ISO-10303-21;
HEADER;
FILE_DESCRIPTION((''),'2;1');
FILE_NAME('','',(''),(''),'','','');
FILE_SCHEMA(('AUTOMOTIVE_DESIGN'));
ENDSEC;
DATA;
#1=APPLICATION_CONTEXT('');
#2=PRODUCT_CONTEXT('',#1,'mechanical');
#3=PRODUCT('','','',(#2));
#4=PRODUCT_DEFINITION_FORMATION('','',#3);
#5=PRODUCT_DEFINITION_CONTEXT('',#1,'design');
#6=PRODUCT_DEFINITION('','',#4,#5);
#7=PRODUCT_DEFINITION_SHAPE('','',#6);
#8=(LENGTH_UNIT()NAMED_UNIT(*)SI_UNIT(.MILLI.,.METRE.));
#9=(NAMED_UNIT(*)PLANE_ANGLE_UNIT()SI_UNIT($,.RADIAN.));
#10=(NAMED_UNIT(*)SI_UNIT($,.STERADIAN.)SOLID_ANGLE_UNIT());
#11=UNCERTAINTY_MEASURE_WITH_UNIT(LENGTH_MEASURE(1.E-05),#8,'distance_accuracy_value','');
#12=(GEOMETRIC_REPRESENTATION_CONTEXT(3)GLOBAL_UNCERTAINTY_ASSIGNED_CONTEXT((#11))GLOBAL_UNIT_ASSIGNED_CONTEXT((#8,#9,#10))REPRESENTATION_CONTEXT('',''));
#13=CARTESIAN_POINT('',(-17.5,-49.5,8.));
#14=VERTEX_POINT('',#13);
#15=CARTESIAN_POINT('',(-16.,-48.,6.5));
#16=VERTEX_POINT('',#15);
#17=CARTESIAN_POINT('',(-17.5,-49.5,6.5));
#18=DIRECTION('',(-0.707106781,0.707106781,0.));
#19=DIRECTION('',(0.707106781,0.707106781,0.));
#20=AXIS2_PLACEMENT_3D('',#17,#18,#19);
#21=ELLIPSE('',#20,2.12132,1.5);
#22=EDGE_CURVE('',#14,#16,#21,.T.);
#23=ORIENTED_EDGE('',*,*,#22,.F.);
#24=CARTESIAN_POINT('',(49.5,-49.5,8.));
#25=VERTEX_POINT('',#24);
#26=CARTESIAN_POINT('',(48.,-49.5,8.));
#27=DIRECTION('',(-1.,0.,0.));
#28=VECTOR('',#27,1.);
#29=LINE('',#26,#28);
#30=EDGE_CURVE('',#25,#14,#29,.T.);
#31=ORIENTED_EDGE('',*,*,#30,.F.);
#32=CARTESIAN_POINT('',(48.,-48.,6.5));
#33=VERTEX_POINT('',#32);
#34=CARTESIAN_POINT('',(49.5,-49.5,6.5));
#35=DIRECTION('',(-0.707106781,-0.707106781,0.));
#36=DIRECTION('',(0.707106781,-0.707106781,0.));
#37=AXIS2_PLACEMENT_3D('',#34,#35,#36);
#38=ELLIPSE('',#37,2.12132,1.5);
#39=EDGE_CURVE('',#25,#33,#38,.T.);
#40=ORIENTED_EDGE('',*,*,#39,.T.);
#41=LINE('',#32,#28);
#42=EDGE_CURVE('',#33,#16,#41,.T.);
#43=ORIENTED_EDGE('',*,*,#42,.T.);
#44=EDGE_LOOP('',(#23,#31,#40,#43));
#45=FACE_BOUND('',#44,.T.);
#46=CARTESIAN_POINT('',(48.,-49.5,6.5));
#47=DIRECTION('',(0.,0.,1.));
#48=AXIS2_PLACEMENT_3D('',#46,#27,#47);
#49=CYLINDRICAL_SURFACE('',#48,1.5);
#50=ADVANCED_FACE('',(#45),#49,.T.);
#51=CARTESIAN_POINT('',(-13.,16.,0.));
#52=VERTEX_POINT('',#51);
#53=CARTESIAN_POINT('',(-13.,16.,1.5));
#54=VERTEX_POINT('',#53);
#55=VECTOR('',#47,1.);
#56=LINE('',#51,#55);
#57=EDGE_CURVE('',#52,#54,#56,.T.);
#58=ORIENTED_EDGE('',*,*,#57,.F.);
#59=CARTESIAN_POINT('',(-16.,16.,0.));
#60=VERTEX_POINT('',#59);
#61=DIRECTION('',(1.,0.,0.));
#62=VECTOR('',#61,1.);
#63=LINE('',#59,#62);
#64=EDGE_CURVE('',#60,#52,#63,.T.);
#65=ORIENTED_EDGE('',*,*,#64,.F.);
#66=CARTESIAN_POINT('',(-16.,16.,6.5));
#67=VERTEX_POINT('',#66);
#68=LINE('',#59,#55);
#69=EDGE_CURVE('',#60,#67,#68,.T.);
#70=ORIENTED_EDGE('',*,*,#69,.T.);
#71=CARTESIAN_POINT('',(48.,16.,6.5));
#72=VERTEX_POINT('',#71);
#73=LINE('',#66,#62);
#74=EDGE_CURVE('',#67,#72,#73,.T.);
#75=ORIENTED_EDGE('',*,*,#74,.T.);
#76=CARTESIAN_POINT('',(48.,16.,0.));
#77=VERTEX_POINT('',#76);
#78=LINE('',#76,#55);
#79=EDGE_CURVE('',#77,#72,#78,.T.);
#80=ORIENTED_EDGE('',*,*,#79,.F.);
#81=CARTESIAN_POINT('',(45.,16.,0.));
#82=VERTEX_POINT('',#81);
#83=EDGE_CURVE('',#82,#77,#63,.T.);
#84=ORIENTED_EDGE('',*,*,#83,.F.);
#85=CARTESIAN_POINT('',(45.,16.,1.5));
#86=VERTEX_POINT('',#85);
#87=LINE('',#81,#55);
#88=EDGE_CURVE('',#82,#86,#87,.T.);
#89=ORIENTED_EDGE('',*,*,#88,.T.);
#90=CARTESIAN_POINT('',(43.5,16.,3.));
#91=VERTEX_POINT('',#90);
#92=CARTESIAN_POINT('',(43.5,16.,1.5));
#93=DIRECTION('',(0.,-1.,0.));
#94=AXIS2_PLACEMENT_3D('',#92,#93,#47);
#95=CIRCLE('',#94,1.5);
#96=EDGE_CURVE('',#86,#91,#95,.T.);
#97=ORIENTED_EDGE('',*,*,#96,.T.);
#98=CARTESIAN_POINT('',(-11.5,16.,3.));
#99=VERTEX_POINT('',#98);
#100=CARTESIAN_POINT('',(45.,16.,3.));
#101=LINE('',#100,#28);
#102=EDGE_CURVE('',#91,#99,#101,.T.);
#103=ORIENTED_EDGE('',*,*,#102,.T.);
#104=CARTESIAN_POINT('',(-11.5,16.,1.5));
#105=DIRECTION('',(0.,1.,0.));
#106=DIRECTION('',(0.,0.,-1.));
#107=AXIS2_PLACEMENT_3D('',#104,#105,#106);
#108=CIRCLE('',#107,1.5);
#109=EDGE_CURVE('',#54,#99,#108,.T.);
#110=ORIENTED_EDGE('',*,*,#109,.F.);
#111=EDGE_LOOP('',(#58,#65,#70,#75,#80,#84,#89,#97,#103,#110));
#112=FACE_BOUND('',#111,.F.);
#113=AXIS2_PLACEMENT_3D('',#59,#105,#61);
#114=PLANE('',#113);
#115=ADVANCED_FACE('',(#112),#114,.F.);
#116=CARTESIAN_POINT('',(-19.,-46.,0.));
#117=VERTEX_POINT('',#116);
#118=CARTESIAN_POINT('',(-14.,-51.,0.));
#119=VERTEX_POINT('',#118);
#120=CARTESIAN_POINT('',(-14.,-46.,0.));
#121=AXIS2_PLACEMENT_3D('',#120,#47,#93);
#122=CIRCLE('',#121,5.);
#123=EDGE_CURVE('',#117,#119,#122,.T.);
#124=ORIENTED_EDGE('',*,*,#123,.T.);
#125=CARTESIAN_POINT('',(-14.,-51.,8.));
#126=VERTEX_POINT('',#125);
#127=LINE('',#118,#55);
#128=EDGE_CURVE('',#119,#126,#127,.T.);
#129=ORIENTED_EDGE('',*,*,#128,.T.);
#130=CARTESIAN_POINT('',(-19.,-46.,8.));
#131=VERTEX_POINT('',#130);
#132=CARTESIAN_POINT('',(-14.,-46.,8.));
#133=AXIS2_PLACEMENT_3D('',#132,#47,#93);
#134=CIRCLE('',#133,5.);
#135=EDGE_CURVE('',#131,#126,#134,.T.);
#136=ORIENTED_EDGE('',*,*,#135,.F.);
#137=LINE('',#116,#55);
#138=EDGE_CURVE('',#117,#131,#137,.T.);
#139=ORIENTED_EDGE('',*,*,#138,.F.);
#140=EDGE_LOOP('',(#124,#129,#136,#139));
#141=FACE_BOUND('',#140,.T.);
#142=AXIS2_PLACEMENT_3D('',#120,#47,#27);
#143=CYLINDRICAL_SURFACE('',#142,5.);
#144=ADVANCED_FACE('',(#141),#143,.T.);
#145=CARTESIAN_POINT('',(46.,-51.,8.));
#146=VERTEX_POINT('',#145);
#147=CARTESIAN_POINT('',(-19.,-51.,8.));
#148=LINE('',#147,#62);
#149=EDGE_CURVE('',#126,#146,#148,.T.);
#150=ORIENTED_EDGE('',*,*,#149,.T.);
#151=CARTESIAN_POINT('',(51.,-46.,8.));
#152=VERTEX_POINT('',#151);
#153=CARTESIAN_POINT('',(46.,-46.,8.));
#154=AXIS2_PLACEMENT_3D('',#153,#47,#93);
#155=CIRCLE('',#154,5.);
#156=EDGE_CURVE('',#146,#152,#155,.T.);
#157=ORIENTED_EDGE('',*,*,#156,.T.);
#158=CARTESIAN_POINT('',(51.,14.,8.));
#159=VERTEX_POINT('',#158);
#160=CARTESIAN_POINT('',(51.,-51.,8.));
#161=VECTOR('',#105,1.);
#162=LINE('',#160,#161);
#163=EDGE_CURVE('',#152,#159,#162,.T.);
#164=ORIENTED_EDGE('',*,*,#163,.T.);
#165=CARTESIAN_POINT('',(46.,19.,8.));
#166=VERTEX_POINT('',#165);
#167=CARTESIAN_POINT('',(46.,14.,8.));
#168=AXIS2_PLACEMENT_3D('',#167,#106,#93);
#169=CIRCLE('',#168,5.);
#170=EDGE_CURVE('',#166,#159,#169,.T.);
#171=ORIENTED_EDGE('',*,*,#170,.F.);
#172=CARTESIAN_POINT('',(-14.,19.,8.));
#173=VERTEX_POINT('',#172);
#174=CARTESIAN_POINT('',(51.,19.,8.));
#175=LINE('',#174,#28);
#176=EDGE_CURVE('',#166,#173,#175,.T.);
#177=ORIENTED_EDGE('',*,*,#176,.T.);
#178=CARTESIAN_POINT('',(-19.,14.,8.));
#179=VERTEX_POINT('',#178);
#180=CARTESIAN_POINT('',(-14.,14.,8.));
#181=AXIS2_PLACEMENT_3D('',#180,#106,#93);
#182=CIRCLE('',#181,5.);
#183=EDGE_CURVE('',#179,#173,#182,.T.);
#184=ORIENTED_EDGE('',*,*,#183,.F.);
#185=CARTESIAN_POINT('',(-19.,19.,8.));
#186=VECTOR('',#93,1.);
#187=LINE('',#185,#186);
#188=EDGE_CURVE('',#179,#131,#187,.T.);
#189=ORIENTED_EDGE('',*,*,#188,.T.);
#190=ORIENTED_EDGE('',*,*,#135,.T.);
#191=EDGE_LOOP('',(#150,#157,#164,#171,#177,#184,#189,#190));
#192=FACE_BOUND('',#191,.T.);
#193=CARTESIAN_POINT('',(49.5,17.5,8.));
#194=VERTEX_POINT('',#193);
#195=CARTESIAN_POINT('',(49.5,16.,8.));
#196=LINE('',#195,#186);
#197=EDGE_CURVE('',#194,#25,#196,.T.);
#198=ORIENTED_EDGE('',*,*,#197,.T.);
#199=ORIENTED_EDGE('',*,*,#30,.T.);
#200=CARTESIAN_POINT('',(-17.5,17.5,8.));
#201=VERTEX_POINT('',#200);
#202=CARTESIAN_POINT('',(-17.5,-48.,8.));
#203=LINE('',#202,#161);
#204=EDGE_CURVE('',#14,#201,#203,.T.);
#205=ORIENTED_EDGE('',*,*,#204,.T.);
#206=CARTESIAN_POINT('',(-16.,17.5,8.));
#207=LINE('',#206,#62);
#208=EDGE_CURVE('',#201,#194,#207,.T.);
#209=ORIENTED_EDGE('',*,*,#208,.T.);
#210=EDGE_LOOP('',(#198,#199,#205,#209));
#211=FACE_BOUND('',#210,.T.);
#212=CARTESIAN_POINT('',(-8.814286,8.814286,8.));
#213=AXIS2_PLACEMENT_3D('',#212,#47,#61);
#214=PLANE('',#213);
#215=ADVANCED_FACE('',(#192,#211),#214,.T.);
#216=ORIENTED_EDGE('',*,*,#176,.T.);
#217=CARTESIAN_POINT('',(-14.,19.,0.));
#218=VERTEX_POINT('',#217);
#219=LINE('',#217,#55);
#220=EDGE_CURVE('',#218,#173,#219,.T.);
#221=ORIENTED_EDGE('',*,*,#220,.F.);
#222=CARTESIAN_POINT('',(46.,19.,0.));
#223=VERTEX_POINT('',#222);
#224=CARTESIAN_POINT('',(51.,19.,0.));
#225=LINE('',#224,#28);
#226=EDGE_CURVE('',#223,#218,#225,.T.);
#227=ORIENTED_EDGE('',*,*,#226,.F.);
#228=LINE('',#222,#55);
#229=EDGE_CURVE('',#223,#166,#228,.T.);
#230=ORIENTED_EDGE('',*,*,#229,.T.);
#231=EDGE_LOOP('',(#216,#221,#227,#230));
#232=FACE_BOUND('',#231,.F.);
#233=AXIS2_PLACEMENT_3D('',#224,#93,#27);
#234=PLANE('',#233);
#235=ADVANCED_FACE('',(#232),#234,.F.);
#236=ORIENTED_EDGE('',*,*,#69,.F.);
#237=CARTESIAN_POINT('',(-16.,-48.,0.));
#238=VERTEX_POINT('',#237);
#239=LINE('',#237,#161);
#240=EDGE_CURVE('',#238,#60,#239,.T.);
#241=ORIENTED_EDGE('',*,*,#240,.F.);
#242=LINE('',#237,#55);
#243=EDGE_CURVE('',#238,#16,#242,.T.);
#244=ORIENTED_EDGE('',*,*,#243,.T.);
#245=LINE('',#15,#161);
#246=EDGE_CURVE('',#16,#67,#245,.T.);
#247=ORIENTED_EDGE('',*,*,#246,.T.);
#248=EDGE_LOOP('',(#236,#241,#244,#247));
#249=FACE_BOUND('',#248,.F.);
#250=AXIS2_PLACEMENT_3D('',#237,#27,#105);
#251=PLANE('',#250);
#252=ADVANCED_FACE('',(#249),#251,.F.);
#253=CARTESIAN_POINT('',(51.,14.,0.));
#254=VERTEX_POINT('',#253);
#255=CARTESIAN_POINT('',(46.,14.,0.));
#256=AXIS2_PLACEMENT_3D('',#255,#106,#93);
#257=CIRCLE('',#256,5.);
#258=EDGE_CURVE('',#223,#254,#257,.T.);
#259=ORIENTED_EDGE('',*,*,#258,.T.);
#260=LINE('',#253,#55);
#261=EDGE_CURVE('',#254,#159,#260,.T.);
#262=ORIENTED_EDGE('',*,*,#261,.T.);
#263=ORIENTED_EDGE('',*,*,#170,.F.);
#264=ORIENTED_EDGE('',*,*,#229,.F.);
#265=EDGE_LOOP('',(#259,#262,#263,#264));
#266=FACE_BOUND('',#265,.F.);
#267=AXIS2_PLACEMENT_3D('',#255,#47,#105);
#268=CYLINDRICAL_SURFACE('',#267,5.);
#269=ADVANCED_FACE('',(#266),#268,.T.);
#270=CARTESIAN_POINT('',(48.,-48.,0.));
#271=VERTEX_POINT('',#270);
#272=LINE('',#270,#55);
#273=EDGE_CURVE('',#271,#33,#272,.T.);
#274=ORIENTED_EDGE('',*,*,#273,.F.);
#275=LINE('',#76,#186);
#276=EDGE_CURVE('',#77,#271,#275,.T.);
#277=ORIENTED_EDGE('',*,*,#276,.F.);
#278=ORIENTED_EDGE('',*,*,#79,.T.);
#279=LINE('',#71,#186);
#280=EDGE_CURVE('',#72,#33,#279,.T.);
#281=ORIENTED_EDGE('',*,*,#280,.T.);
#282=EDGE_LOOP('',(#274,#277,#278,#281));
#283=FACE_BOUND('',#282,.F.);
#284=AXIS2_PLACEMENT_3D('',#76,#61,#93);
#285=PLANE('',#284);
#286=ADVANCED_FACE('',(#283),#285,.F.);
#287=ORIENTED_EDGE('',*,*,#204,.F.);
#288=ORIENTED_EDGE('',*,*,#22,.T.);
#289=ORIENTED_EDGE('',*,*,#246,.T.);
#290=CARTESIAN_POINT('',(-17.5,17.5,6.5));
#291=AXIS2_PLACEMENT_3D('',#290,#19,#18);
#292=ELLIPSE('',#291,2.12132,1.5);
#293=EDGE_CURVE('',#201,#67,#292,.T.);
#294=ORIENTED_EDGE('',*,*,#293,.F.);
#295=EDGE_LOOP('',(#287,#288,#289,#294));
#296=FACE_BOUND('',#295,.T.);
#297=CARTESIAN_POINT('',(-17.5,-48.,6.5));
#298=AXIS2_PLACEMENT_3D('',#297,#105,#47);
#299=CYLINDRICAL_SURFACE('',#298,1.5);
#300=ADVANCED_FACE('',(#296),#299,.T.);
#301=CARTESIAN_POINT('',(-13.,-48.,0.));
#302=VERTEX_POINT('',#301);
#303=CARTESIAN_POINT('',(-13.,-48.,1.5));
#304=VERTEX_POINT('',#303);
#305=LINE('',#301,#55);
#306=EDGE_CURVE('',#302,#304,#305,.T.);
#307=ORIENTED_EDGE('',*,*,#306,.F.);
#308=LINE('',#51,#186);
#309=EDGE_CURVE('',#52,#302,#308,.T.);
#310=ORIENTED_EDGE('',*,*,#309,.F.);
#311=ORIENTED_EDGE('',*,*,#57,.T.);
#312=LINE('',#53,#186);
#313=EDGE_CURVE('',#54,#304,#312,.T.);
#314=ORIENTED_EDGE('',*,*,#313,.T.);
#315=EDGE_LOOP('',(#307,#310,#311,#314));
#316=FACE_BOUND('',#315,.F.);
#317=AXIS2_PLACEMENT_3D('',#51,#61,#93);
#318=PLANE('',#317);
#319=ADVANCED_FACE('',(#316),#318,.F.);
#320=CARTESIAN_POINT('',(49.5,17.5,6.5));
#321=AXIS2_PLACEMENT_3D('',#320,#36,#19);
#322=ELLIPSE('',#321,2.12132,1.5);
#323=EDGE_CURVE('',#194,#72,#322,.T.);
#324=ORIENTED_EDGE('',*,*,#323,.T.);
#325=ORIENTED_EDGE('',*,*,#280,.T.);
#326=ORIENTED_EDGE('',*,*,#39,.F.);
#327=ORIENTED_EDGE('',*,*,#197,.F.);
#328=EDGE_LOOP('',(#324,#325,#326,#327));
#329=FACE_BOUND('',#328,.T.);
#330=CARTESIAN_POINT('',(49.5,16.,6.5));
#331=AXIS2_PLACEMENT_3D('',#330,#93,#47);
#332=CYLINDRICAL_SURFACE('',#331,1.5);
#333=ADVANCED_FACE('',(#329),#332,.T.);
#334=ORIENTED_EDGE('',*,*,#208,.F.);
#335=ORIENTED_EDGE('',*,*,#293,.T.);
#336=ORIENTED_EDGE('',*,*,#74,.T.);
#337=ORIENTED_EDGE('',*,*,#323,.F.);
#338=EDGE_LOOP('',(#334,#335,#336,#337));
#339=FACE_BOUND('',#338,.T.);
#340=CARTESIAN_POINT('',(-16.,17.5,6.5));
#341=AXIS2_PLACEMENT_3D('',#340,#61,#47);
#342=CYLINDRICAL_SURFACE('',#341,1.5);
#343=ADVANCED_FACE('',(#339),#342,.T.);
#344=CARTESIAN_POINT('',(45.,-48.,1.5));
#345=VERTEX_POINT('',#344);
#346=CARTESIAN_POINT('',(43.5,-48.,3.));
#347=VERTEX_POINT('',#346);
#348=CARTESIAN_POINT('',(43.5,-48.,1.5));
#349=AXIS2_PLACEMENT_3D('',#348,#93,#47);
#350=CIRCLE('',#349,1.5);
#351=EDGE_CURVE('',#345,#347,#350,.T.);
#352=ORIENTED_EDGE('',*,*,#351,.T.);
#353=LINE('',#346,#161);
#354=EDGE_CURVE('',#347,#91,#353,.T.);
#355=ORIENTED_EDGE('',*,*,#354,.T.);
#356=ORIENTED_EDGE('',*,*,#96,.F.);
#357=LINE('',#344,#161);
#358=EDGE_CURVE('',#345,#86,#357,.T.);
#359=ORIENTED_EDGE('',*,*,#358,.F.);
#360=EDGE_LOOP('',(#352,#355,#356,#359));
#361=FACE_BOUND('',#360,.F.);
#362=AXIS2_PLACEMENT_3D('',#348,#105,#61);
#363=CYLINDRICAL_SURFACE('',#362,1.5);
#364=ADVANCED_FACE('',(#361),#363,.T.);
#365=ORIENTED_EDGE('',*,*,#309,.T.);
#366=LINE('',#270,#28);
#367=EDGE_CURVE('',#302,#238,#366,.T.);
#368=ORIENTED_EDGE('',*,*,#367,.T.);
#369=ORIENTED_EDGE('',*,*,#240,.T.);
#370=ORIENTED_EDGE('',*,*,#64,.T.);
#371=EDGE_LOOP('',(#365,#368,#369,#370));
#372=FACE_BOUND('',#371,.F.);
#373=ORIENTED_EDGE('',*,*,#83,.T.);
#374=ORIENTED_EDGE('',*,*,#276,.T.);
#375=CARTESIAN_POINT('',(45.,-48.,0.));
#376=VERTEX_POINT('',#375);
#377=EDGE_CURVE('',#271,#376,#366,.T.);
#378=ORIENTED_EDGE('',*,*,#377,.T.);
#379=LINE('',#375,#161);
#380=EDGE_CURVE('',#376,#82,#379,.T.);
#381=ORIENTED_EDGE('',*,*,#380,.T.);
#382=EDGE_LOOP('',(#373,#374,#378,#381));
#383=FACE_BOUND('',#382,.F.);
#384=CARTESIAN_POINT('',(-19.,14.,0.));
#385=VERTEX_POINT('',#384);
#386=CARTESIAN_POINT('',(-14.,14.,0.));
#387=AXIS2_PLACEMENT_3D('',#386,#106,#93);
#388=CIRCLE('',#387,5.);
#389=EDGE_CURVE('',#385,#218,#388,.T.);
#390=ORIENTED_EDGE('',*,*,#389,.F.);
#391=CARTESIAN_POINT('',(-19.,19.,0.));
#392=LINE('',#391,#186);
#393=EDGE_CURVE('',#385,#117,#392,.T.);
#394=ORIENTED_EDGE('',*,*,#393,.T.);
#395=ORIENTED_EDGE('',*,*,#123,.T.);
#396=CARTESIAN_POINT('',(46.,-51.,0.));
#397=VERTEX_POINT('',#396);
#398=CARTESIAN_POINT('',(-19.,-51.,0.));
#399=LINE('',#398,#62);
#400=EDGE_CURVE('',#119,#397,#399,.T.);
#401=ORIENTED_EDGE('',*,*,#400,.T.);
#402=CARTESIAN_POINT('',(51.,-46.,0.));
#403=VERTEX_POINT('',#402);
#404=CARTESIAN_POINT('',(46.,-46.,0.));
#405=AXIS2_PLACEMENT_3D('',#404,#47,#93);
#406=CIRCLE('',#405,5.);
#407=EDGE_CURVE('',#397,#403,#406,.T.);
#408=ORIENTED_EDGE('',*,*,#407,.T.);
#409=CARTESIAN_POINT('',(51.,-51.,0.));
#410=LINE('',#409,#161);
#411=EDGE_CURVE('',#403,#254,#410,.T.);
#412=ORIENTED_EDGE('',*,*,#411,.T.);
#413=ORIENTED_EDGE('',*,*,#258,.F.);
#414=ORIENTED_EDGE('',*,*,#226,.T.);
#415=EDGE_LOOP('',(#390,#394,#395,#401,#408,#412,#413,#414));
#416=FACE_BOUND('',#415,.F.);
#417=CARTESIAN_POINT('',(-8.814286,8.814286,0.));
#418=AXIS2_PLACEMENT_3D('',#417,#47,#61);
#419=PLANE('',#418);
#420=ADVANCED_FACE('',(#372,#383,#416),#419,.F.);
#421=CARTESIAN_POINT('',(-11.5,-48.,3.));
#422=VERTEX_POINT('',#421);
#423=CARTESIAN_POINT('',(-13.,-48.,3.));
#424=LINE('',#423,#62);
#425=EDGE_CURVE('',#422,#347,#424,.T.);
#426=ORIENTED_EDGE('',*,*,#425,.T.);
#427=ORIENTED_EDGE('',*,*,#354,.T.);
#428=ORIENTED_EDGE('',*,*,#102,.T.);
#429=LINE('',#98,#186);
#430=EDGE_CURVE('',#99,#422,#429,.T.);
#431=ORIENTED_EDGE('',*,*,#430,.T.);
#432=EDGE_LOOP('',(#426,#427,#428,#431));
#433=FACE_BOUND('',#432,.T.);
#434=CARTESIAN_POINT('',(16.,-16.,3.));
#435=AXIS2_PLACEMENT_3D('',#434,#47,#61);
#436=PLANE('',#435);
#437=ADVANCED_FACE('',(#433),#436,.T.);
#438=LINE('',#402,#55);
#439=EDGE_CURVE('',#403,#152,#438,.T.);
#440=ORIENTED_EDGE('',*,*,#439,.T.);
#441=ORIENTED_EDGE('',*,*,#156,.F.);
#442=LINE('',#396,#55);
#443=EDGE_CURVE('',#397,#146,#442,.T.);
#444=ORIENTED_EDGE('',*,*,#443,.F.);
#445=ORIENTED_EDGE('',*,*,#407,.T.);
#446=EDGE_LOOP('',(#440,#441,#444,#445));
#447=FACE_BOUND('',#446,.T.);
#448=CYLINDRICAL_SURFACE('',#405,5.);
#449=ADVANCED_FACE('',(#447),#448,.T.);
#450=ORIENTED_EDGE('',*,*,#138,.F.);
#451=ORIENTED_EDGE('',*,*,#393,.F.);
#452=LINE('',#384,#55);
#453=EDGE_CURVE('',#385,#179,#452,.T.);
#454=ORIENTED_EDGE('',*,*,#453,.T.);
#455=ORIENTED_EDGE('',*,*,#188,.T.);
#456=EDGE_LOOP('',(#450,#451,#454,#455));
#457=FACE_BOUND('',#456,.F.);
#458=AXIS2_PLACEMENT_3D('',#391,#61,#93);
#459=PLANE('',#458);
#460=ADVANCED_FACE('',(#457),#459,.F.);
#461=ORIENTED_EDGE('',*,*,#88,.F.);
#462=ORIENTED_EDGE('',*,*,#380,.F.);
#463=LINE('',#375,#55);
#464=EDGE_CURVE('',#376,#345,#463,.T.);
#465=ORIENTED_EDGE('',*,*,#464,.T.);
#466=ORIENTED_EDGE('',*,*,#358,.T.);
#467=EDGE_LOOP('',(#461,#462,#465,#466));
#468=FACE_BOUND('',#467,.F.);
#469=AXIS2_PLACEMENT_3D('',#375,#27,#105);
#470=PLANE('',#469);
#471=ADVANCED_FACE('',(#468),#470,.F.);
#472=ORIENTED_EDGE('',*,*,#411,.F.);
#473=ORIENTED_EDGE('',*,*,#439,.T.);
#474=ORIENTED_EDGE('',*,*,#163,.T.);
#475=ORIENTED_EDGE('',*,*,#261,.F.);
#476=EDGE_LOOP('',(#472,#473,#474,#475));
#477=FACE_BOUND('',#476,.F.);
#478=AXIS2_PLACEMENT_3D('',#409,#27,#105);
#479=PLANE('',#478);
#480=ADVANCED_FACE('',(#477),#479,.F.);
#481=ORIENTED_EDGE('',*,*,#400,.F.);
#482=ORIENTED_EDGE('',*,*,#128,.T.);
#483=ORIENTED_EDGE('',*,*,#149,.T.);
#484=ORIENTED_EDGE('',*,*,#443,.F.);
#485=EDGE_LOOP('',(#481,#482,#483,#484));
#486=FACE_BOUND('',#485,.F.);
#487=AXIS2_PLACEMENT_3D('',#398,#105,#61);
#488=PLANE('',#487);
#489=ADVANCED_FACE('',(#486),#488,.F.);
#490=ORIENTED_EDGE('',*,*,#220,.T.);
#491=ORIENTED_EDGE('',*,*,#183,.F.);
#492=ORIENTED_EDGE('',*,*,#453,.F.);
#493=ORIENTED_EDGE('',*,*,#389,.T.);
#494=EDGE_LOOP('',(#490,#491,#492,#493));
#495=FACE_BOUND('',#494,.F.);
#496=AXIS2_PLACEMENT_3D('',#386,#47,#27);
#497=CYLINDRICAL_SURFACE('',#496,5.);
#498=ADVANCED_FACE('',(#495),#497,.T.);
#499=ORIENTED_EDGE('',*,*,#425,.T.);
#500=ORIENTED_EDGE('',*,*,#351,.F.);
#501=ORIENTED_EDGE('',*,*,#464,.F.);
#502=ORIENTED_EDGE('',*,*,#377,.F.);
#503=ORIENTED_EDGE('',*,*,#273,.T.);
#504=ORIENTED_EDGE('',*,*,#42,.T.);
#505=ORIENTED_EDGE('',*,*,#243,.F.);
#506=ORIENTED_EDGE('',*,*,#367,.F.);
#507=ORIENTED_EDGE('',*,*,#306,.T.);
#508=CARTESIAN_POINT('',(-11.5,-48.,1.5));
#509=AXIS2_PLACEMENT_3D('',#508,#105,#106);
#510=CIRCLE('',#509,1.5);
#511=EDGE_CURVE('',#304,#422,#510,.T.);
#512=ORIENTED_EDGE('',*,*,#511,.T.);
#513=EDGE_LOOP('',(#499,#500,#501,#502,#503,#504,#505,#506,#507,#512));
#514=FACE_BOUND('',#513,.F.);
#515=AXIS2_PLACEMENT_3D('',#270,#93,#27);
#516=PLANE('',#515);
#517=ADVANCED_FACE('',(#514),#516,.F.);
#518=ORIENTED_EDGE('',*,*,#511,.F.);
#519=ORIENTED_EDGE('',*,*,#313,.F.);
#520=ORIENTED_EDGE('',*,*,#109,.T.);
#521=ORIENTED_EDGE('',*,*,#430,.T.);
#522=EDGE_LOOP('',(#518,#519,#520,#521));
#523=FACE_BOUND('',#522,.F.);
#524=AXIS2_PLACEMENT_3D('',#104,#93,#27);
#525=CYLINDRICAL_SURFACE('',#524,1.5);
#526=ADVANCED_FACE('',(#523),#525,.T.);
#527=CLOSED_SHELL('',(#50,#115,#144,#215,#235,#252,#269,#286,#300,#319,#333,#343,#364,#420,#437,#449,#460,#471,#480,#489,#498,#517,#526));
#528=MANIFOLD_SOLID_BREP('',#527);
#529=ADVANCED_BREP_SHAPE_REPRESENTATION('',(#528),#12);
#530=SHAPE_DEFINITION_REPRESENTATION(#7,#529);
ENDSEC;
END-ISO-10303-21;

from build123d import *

# Parameters (mm, degrees)
F1_DEPTH = 3
F2_DEPTH = 8
F3_R     = 5
F4_R     = 1.5


with BuildPart() as f1:
    # F0 (on Top) → F1 (new body)
    with BuildSketch(Plane.XY):
        Polygon((45, 16), (16, 16), (-13, 16), (-13, -16), (-13, -48), (16, -48), (45, -48), (45, -16), align=None)
    extrude(amount=F1_DEPTH)

    # F0 (on Top) → F2 (join)
    with BuildSketch(Plane.XY):
        Polygon((-13, 16), (16, 16), (16, 19), (-19, 19), (-19, -16), (-16, -16), (-16, 16), align=None)
        Polygon((16, 19), (16, 16), (45, 16), (48, 16), (48, -16), (48, -48), (45, -48), (16, -48), (-13, -48), (-16, -48), (-16, -16), (-19, -16), (-19, -51), (16, -51), (51, -51), (51, -16), (51, 19), align=None)
    extrude(amount=F2_DEPTH)

    # F3
    f3_edges = [f1.edges().sort_by_distance(p)[0] for p in [
        (-19, 19, 4),
        (-19, -51, 4),
        (51, -51, 4),
        (51, 19, 4),
    ]]
    fillet(f3_edges, radius=F3_R)

    # F4
    f4_edges = [f1.edges().sort_by_distance(p)[0] for p in [
        (-16, -16, 8),
        (16, 16, 8),
        (48, -16, 8),
        (16, -48, 8),
        (-13, -16, 3),
        (45, -16, 3),
    ]]
    fillet(f4_edges, radius=F4_R)


solid = f1.part
